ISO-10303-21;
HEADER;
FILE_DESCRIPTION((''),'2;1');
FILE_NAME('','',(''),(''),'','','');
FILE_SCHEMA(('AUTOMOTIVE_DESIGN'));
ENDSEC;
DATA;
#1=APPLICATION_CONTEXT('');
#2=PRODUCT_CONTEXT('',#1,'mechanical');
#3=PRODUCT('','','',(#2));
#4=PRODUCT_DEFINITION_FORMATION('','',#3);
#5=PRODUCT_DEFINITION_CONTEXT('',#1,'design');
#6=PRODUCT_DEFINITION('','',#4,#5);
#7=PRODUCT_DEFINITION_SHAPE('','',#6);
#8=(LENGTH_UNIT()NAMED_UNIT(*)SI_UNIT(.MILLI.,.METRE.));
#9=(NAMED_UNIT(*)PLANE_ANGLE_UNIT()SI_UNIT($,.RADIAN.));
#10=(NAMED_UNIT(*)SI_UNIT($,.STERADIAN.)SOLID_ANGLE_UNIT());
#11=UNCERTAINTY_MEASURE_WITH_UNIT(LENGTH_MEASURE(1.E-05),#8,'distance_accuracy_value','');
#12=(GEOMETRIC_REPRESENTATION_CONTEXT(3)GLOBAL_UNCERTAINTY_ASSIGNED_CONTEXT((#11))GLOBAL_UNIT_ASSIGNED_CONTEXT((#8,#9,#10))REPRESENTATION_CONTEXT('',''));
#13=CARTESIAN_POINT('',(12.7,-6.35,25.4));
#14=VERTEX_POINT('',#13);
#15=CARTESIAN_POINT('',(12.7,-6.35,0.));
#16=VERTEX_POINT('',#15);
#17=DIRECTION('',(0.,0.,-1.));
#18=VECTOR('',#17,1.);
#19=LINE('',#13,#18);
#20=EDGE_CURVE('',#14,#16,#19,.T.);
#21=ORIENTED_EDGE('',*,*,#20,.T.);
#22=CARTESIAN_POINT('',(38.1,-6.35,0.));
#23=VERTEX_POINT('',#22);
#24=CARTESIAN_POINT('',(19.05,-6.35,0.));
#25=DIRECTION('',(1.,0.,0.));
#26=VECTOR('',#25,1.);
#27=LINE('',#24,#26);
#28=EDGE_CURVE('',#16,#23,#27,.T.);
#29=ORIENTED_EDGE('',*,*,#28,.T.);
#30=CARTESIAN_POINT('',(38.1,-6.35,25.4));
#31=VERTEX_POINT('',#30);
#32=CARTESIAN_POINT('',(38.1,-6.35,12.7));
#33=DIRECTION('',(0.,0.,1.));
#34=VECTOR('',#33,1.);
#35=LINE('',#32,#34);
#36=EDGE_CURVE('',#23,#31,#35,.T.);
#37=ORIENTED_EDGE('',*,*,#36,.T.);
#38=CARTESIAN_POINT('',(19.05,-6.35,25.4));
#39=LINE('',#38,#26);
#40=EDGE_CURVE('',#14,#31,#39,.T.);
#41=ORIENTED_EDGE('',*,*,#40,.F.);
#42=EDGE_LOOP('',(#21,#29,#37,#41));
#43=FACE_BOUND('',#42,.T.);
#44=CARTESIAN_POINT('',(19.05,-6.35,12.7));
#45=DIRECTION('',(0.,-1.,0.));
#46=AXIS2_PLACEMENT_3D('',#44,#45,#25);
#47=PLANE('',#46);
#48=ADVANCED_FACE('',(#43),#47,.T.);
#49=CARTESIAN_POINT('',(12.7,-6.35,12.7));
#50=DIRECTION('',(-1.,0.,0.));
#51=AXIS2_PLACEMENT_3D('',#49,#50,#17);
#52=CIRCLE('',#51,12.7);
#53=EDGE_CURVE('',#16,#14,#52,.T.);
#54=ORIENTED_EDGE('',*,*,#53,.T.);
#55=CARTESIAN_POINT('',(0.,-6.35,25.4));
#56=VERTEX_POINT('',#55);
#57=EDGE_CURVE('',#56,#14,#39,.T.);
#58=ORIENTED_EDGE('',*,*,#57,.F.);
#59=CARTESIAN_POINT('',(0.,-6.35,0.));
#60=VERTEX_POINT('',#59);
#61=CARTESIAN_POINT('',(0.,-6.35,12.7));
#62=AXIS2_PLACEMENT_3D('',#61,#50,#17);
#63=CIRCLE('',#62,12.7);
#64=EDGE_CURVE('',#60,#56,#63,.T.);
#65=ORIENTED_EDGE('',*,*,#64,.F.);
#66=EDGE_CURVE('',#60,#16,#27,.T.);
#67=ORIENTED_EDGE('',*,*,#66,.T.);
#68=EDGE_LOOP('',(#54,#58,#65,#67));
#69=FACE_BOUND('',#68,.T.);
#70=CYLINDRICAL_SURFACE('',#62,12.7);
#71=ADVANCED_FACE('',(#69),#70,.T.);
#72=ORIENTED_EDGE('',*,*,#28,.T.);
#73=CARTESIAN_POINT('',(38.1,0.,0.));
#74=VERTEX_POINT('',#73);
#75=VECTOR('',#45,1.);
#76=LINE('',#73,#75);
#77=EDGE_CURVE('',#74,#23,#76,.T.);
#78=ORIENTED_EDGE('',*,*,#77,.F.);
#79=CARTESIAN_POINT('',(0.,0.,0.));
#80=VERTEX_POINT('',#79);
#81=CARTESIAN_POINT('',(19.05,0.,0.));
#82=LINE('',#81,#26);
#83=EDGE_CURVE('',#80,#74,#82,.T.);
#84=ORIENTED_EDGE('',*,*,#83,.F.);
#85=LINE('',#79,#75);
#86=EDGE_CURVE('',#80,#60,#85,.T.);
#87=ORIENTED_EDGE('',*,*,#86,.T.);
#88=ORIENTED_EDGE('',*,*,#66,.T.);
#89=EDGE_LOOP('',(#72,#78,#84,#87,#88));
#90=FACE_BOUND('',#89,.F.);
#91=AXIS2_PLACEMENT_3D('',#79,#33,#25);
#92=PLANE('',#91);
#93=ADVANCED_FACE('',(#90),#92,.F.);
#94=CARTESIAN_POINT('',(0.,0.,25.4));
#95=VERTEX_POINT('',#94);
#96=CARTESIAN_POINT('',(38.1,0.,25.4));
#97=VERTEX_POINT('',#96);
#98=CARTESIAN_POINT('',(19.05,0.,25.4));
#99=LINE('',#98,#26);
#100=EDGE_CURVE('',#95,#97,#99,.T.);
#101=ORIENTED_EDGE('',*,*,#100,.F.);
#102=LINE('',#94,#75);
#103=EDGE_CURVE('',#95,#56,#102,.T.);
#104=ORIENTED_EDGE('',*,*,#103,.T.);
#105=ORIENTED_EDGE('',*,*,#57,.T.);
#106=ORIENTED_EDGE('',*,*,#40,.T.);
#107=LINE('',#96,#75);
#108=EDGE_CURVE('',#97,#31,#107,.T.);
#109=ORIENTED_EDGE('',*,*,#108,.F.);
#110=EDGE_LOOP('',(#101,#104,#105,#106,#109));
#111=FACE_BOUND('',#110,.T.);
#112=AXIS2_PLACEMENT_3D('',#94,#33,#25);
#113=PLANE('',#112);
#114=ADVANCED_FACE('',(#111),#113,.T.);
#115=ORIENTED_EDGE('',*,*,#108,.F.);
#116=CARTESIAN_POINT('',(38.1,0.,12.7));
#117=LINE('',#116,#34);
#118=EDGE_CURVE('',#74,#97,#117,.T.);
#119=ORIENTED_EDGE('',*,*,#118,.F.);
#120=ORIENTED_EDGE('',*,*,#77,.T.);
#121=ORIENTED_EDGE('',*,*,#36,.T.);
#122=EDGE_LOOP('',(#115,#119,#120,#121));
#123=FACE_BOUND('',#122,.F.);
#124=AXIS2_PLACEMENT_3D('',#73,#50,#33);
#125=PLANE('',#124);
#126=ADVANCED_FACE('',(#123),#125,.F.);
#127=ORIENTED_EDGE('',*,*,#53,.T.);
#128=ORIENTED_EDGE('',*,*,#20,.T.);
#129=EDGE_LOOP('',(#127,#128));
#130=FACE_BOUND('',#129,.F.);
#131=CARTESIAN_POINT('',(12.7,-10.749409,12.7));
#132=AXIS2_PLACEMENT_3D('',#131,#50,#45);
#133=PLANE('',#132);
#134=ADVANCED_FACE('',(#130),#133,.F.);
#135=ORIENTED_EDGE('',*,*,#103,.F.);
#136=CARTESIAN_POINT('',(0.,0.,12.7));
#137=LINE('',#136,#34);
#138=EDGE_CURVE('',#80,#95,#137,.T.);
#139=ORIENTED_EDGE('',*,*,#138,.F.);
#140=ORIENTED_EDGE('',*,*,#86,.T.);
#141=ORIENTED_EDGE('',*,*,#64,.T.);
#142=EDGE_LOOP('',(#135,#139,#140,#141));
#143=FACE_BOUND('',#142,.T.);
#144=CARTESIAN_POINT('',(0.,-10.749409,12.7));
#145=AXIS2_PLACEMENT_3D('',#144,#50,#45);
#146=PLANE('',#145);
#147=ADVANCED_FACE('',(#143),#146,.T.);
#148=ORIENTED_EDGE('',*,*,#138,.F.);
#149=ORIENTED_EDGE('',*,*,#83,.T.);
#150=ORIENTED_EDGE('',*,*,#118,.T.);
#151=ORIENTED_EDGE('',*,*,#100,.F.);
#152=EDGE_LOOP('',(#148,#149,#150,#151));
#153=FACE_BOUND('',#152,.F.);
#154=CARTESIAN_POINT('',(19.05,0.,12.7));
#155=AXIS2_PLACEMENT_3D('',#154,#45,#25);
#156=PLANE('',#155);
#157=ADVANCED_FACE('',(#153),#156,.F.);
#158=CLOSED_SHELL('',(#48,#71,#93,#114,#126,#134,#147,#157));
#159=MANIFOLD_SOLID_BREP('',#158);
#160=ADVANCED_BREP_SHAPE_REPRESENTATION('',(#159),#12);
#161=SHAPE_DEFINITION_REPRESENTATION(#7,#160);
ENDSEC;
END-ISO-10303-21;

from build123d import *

# Parameters (mm, degrees)
F0_W     = 38.1
F0_H     = 25.4
F1_DEPTH = 6.35
F3_DEPTH = 12.7


with BuildPart() as f1:
    # F0 (on Front) → F1 (new body)
    with BuildSketch(Plane.XZ):
        with Locations((19.05, 12.7)):
            Rectangle(F0_W, F0_H)
    extrude(amount=F1_DEPTH)

    # F2 (on face) → F3 (join)
    with BuildSketch(Plane(origin=(0, 0, 0), x_dir=(0, -1, 0), z_dir=(-1, 0, 0))):
        with BuildLine():
            Line((6.35, 25.4), (6.35, 0))
            ThreePointArc((6.35, 0), (19.05, 12.7), (6.35, 25.4))
        make_face()
    extrude(amount=-F3_DEPTH)


solid = f1.part
